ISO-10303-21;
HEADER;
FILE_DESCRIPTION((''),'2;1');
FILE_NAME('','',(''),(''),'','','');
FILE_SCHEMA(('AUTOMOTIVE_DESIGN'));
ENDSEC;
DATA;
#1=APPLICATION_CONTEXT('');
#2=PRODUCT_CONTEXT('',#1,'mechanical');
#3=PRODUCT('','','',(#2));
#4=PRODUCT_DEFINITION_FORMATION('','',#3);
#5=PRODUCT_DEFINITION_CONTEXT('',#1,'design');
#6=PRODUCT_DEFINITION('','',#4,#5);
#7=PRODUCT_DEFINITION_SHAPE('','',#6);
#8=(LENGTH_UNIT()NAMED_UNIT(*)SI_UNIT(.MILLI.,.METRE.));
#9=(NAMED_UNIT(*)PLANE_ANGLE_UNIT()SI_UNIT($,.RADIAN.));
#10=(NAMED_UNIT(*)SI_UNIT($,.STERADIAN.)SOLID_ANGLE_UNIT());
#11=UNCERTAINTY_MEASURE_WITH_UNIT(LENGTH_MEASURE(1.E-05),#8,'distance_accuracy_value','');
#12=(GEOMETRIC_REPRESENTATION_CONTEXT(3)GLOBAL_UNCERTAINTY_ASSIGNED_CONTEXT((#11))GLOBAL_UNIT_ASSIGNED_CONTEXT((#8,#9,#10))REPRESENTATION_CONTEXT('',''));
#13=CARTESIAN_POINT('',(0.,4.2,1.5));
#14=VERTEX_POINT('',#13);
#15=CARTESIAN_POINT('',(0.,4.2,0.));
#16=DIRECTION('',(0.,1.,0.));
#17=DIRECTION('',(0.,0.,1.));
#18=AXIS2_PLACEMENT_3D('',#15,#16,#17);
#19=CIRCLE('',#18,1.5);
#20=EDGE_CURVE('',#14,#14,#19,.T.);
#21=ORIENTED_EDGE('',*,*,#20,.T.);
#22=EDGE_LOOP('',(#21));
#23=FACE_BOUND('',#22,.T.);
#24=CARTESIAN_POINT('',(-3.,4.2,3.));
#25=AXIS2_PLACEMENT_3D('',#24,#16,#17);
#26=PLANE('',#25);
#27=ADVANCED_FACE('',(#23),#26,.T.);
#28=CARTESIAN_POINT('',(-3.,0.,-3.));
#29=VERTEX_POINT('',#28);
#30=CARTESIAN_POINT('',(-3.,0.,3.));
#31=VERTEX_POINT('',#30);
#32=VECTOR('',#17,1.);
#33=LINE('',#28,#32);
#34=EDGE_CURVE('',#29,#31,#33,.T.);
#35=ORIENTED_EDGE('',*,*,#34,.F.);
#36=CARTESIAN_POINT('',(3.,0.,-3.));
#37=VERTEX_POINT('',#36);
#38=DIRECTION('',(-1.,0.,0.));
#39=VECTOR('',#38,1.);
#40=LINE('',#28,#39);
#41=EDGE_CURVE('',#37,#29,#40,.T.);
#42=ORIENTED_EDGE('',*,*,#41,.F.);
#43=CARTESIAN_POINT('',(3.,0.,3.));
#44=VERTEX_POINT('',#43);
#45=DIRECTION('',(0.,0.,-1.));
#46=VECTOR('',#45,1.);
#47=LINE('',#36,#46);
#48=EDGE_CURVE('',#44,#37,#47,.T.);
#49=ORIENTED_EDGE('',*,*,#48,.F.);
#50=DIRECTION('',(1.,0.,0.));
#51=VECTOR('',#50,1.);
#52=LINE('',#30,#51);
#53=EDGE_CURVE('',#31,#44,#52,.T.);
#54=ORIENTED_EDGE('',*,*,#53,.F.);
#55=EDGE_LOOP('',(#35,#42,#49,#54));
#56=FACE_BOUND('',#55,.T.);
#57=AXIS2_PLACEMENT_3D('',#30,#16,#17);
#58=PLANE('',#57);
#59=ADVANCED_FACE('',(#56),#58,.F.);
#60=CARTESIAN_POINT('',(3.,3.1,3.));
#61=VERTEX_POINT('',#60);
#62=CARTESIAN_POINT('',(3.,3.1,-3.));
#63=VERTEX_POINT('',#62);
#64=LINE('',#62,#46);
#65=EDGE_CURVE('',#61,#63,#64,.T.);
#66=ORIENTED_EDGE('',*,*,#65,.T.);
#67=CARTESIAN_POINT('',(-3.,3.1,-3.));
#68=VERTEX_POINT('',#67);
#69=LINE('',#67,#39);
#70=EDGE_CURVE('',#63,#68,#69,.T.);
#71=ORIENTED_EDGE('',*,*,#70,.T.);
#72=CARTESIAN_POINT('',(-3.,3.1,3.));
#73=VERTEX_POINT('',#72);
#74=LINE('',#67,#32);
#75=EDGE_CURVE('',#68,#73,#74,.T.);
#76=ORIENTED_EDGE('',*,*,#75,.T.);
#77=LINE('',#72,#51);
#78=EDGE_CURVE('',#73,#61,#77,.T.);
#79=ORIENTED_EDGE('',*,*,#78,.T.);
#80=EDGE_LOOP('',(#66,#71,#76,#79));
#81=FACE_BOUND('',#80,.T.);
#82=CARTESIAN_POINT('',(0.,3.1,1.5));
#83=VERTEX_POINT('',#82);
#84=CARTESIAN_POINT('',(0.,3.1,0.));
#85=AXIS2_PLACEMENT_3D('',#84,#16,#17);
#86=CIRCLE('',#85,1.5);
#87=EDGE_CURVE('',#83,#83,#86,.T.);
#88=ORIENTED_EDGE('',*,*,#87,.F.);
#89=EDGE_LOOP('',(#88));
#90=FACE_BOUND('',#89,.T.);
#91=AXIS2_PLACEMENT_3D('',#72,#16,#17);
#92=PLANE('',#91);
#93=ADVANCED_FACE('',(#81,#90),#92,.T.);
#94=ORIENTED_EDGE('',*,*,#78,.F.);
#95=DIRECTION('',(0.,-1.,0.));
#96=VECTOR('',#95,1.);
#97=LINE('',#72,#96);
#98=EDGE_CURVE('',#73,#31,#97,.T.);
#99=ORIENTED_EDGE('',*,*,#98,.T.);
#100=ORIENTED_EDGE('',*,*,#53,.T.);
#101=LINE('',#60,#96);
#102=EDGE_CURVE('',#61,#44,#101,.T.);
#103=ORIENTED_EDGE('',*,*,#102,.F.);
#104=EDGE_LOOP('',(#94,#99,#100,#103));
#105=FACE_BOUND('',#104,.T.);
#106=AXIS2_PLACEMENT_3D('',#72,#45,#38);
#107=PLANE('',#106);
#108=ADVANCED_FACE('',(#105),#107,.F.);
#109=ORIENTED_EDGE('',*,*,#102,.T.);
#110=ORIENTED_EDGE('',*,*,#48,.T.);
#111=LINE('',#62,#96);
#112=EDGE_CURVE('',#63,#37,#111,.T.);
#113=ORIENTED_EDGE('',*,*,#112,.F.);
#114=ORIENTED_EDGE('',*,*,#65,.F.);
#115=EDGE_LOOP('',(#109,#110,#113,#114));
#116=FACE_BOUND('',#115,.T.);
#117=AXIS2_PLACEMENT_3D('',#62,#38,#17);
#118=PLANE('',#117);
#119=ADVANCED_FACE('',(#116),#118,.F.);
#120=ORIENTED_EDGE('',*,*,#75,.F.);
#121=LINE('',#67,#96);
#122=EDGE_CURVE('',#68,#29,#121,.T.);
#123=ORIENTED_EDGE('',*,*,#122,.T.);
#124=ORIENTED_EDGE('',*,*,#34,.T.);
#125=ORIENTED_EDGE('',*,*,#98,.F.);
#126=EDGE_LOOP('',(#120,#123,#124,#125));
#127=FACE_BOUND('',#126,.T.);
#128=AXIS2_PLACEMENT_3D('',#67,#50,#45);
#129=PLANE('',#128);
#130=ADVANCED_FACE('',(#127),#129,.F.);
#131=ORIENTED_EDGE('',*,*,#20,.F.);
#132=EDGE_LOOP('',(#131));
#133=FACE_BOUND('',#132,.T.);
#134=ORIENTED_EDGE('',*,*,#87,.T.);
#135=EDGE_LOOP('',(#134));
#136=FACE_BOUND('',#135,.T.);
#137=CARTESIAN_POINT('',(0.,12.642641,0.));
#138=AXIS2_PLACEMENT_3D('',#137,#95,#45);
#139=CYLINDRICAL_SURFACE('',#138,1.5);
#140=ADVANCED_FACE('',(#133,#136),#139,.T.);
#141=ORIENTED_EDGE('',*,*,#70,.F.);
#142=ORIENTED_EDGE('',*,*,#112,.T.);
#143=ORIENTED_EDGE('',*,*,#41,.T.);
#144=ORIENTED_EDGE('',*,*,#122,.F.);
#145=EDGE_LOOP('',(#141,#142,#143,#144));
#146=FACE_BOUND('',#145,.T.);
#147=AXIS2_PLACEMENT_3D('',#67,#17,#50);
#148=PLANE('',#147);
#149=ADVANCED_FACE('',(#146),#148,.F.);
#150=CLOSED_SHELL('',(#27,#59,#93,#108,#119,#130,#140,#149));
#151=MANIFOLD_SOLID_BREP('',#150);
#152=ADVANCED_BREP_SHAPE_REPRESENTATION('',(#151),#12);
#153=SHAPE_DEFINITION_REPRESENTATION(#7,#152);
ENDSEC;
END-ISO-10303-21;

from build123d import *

# Parameters (mm, degrees)
SKETCH_1_W      = 6
SKETCH_1_H      = 6
EXTRUDE_1_DEPTH = 3.1
SKETCH_2_R      = 1.5
EXTRUDE_2_DEPTH = 1.1


with BuildPart() as part:
    # 草图1 → 拉伸1 (new body)
    with BuildSketch(Plane(origin=(0, 0, 0), x_dir=(1, 0, 0), z_dir=(0, 1, 0))):
        Rectangle(SKETCH_1_W, SKETCH_1_H)
    extrude(amount=EXTRUDE_1_DEPTH)

    # 草图2 → 拉伸2 (add)
    with BuildSketch(Plane(origin=(0, 3.1, 0), x_dir=(-1, 0, 0), z_dir=(0, 1, 0))):
        with Locations(Location((0, 0, 0), (0, 0, 90))):
            Circle(SKETCH_2_R)
    extrude(amount=EXTRUDE_2_DEPTH)


solid = part.part
